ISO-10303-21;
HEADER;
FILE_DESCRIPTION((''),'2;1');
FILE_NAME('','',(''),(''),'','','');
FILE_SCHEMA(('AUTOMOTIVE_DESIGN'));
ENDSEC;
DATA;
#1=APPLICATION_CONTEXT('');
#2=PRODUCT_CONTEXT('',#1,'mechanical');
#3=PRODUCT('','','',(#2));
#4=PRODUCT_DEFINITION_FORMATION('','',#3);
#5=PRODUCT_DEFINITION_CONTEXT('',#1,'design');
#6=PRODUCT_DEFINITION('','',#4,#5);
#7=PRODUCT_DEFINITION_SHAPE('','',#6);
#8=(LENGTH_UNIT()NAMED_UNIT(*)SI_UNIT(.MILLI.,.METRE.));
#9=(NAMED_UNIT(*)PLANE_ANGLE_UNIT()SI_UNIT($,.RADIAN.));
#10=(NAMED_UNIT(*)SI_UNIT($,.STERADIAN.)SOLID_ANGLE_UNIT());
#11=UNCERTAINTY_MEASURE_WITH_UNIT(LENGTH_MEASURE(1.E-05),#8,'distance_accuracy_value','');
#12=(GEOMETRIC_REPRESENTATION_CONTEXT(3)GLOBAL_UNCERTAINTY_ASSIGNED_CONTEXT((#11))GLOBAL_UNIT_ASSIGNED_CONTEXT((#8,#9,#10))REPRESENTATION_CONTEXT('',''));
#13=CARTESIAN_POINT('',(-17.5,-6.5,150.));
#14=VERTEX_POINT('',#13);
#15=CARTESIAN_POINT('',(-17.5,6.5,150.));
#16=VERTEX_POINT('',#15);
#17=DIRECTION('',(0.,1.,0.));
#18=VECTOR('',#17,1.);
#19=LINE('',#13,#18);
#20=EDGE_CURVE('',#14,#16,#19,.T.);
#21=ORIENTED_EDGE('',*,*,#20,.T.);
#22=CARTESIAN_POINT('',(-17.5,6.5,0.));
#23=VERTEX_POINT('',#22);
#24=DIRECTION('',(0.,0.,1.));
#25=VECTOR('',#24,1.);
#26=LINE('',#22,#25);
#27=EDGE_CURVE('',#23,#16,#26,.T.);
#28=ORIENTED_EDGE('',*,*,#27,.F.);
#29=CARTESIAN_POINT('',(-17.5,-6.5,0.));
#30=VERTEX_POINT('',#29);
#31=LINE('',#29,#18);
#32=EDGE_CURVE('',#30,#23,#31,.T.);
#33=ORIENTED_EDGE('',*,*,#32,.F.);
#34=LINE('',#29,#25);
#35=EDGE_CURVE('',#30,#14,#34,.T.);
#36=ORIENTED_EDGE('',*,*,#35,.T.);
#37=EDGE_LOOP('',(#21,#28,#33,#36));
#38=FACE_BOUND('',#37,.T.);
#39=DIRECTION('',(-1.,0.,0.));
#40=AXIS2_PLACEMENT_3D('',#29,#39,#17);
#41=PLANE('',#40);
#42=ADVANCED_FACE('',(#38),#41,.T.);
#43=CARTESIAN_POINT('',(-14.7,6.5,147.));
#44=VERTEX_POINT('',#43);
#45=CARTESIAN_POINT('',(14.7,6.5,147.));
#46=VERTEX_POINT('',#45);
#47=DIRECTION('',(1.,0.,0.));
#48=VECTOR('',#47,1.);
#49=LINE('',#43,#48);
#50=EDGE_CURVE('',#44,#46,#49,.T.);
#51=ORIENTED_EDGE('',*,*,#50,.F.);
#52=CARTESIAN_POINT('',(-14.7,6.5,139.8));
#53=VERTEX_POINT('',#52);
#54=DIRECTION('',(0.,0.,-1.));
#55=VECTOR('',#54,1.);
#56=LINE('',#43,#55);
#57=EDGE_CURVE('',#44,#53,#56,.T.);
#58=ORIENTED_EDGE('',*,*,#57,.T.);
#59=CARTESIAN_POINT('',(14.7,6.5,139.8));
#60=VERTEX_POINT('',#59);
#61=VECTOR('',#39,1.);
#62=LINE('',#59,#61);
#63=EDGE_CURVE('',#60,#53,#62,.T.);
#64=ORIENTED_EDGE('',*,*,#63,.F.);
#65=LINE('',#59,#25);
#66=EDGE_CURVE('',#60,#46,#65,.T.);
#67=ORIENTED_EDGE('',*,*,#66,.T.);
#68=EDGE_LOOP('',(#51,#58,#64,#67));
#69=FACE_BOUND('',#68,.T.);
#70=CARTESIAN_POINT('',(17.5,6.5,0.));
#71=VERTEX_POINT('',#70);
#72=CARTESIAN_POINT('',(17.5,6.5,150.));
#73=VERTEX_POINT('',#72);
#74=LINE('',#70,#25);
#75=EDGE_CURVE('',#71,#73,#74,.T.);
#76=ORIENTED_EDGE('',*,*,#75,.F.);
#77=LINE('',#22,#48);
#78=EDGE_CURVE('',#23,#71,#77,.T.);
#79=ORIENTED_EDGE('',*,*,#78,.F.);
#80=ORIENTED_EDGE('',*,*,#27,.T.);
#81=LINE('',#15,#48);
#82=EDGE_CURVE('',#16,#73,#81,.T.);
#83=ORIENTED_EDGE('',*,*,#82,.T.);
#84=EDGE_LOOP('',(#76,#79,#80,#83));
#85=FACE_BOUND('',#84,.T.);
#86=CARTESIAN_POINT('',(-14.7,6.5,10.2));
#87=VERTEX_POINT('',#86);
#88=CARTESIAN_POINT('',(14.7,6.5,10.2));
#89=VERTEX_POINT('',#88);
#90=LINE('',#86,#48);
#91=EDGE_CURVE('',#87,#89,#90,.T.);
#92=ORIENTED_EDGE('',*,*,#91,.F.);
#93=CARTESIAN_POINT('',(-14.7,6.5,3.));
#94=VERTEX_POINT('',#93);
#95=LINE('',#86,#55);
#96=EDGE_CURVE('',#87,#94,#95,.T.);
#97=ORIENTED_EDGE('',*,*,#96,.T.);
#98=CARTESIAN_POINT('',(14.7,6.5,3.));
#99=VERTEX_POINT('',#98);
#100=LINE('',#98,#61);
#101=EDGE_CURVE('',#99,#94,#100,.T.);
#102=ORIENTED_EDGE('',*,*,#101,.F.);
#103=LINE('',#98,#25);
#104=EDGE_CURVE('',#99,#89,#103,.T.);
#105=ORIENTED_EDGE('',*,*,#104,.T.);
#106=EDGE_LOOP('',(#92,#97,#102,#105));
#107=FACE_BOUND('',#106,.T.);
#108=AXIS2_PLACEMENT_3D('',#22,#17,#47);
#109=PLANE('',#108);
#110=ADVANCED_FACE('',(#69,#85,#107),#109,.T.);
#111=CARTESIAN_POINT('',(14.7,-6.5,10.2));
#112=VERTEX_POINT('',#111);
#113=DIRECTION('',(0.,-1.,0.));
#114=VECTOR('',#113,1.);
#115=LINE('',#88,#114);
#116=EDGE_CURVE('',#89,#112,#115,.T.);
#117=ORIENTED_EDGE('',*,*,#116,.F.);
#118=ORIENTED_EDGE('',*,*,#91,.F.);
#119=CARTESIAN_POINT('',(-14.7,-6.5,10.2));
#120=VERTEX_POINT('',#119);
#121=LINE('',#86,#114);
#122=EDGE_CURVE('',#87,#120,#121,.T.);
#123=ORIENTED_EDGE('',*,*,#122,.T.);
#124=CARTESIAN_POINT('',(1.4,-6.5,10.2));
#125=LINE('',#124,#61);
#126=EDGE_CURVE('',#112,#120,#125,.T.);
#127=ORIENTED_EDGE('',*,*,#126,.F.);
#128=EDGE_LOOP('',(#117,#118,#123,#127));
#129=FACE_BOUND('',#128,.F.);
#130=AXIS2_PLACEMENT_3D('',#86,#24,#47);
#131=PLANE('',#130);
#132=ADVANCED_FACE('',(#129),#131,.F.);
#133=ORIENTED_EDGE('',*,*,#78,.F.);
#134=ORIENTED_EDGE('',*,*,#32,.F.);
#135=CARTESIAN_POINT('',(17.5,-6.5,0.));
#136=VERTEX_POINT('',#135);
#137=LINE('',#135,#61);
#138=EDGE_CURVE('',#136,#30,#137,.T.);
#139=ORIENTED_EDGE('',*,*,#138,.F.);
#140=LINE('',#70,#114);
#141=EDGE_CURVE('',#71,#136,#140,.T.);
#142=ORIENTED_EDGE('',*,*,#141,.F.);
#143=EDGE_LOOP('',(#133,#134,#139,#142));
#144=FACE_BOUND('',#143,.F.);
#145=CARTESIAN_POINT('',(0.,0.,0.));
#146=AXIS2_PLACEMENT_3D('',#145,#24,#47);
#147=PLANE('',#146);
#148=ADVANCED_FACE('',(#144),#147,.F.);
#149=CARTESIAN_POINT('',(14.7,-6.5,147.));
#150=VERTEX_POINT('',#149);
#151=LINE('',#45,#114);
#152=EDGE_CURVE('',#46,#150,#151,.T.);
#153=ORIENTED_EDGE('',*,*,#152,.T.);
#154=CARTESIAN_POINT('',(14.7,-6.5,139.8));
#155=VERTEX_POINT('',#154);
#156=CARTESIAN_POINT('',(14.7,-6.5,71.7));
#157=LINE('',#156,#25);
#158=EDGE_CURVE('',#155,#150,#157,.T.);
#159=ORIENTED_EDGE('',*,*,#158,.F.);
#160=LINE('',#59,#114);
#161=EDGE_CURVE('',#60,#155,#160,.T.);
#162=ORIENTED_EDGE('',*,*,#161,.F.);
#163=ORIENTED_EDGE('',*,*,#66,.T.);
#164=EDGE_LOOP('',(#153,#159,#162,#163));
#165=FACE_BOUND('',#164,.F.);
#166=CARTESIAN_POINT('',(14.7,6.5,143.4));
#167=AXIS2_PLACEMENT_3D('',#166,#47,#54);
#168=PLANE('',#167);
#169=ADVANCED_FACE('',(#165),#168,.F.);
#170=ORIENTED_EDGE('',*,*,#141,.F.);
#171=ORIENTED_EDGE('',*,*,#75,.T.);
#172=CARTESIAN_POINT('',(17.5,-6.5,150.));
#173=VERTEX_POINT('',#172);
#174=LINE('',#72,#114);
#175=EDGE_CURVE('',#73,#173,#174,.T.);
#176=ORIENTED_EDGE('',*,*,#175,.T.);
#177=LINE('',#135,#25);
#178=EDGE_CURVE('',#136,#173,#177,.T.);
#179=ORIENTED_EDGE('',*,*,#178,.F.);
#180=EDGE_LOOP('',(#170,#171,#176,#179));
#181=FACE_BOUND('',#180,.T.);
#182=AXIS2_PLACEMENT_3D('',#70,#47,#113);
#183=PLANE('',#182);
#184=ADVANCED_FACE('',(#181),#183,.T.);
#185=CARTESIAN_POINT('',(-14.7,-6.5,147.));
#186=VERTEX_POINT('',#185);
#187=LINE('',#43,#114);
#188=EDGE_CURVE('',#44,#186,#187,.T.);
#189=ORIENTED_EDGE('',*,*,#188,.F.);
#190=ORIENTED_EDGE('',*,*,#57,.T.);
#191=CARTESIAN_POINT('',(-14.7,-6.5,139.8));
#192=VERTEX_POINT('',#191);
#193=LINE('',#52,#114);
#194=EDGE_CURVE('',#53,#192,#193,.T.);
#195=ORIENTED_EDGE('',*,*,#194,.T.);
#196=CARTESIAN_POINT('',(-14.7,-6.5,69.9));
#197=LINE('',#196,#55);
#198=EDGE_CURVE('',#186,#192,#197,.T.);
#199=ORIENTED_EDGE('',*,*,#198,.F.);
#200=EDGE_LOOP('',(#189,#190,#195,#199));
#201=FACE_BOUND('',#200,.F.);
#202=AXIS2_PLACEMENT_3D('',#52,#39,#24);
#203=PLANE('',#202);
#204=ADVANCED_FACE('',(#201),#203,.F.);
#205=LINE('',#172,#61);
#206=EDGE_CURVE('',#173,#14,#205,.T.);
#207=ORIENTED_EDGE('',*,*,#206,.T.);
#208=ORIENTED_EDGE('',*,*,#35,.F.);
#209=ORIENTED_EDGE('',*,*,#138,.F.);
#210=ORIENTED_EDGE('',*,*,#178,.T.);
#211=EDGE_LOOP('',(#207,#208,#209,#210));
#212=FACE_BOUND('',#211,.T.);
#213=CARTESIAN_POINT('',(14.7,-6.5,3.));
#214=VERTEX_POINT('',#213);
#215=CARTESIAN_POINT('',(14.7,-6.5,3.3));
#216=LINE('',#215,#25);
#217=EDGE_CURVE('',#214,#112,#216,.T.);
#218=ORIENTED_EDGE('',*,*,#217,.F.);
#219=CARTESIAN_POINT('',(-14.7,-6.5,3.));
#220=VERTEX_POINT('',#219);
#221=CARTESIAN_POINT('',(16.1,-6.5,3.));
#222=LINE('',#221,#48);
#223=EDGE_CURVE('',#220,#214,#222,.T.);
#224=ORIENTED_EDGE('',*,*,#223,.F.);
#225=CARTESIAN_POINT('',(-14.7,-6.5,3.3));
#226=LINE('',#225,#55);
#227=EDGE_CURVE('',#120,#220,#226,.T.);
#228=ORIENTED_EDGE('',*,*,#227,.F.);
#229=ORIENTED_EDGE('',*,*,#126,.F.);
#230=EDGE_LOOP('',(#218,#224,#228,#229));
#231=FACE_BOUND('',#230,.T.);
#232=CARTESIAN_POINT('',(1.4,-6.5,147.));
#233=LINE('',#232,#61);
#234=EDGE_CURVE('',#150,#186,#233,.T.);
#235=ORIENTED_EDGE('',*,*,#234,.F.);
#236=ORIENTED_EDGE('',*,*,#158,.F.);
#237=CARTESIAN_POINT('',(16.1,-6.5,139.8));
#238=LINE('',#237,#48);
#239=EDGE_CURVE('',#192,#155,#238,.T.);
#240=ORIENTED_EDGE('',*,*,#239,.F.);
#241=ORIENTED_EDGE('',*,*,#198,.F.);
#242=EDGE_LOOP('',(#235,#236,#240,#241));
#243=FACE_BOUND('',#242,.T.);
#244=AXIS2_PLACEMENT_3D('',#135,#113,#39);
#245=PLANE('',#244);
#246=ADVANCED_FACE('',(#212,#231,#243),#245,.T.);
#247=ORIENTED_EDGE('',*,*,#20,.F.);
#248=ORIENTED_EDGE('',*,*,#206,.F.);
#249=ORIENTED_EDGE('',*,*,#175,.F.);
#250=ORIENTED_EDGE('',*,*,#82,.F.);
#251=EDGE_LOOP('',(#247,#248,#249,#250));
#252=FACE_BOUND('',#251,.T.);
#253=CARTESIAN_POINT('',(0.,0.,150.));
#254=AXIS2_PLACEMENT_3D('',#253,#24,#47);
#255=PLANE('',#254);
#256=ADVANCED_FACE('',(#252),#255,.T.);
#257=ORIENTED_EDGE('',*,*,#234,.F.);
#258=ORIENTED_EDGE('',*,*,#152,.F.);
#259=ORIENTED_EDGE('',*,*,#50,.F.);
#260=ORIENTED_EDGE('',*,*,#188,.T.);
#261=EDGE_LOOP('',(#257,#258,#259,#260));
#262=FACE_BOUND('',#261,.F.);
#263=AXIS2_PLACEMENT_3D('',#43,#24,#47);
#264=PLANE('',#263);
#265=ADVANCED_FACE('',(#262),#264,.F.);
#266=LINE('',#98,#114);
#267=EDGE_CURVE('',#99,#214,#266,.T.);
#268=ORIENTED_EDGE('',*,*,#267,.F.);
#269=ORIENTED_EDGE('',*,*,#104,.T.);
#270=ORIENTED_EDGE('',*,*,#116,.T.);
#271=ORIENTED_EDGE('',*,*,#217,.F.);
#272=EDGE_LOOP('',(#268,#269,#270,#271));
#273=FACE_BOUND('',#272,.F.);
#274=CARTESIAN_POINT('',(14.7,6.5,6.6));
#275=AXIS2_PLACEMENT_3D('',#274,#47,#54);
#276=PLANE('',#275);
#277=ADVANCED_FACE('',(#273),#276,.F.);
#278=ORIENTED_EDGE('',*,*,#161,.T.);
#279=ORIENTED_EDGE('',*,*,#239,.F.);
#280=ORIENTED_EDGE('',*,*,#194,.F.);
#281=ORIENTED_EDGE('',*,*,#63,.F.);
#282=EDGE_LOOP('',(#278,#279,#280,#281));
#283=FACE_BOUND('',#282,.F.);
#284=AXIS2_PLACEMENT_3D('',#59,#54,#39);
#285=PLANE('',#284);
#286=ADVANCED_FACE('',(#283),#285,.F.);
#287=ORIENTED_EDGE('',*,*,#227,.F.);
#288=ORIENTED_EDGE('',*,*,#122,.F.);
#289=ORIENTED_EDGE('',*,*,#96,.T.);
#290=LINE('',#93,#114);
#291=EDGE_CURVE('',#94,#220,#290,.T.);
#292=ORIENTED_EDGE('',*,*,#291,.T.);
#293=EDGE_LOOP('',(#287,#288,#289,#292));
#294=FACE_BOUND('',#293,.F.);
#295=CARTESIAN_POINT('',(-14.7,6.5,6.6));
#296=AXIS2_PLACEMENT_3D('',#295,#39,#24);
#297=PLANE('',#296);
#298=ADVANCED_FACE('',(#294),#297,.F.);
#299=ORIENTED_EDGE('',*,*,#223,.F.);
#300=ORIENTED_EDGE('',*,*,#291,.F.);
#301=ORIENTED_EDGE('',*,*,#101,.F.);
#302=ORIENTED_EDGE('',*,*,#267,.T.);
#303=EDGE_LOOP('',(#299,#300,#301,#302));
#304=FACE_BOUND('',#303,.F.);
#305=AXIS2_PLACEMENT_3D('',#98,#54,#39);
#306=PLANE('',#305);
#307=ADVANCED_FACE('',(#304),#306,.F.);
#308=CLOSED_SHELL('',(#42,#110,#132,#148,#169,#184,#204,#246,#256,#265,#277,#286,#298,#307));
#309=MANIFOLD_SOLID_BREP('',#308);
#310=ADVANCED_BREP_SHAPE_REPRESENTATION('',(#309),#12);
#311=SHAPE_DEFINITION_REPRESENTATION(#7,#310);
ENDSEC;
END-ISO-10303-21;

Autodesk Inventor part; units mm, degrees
ref_plane "YZ Plane" through (0, 0, 0) normal (1, 0, 0) x (0, 1, 0)
ref_plane "XZ Plane" through (0, 0, 0) normal (0, 1, 0) x (-1, 0, 0)
ref_plane "XY Plane" through (0, 0, 0) normal (0, 0, 1) x (1, 0, 0)
sketch "Sketch1" plane through (0, 0, 0) normal (0, 0, 1) x (1, 0, 0)
  line L0 (-17.5, 6.5) -> (17.5, 6.5)
  line L1 (17.5, 6.5) -> (17.5, -6.5)
  line L2 (17.5, -6.5) -> (-17.5, -6.5)
  line L3 (-17.5, -6.5) -> (-17.5, 6.5)
  line L4 (-17.5, 6.5) -> (17.5, -6.5) construction
  line L5 (17.5, 6.5) -> (-17.5, -6.5) construction
  line L6 (-17.5, 6.5) -> (17.5, 6.5) construction
  point P0 (0, 0)
  dimension "d0" = 35
  dimension "d1" = 0
  dimension "d2" = 13
extrude "Extrusion1" add sketch "Sketch1" along normal blind 150
sketch "Sketch2" plane through (-17.5, 6.5, 0) normal (0, 1, 0) x (1, 0, 0)
  line L0 (2.8, -10.2) -> (32.2, -10.2)
  line L1 (32.2, -10.2) -> (32.2, -3)
  line L2 (32.2, -3) -> (2.8, -3)
  line L3 (2.8, -3) -> (2.8, -10.2)
  line L4 (2.8, -10.2) -> (32.2, -3) construction
  line L5 (32.2, -10.2) -> (2.8, -3) construction
  line L6 (2.8, -10.2) -> (32.2, -10.2) construction
  line L7 (2.8, -6.6) -> (0, -6.6)
  line L8 (0, 0) -> (0, -150) projected
  line L9 (35, 0) -> (35, -150) projected
  line L10 (35, -6.6) -> (32.2, -6.6)
  line L11 (35, 0) -> (0, 0) projected
  line L12 (2.8, -147) -> (32.2, -147)
  line L13 (32.2, -147) -> (32.2, -139.8)
  line L14 (32.2, -139.8) -> (2.8, -139.8)
  line L15 (2.8, -139.8) -> (2.8, -147)
  line L16 (2.8, -147) -> (32.2, -139.8) construction
  line L17 (32.2, -147) -> (2.8, -139.8) construction
  line L18 (2.8, -147) -> (32.2, -147) construction
  line L19 (2.8, -143.4) -> (0, -143.4)
  line L20 (35, -143.4) -> (32.2, -143.4)
  line L21 (35, -150) -> (0, -150) projected
  point P0 (17.5, 0)
  point P1 (17.5, -6.6)
  point P2 (17.5, -143.4)
  dimension "d6" = 29.4
  dimension "d8" = 7.2
  dimension "d9" = 3
  dimension "d12" = 29.4
  dimension "d13" = 0
  dimension "d14" = 7.2
  dimension "d15" = 3
extrude "Extrusion2" cut sketch "Sketch2" against normal through all contours L3 L2 L1 L0 | L15 L14 L13 L12
properties part number "Leg"
